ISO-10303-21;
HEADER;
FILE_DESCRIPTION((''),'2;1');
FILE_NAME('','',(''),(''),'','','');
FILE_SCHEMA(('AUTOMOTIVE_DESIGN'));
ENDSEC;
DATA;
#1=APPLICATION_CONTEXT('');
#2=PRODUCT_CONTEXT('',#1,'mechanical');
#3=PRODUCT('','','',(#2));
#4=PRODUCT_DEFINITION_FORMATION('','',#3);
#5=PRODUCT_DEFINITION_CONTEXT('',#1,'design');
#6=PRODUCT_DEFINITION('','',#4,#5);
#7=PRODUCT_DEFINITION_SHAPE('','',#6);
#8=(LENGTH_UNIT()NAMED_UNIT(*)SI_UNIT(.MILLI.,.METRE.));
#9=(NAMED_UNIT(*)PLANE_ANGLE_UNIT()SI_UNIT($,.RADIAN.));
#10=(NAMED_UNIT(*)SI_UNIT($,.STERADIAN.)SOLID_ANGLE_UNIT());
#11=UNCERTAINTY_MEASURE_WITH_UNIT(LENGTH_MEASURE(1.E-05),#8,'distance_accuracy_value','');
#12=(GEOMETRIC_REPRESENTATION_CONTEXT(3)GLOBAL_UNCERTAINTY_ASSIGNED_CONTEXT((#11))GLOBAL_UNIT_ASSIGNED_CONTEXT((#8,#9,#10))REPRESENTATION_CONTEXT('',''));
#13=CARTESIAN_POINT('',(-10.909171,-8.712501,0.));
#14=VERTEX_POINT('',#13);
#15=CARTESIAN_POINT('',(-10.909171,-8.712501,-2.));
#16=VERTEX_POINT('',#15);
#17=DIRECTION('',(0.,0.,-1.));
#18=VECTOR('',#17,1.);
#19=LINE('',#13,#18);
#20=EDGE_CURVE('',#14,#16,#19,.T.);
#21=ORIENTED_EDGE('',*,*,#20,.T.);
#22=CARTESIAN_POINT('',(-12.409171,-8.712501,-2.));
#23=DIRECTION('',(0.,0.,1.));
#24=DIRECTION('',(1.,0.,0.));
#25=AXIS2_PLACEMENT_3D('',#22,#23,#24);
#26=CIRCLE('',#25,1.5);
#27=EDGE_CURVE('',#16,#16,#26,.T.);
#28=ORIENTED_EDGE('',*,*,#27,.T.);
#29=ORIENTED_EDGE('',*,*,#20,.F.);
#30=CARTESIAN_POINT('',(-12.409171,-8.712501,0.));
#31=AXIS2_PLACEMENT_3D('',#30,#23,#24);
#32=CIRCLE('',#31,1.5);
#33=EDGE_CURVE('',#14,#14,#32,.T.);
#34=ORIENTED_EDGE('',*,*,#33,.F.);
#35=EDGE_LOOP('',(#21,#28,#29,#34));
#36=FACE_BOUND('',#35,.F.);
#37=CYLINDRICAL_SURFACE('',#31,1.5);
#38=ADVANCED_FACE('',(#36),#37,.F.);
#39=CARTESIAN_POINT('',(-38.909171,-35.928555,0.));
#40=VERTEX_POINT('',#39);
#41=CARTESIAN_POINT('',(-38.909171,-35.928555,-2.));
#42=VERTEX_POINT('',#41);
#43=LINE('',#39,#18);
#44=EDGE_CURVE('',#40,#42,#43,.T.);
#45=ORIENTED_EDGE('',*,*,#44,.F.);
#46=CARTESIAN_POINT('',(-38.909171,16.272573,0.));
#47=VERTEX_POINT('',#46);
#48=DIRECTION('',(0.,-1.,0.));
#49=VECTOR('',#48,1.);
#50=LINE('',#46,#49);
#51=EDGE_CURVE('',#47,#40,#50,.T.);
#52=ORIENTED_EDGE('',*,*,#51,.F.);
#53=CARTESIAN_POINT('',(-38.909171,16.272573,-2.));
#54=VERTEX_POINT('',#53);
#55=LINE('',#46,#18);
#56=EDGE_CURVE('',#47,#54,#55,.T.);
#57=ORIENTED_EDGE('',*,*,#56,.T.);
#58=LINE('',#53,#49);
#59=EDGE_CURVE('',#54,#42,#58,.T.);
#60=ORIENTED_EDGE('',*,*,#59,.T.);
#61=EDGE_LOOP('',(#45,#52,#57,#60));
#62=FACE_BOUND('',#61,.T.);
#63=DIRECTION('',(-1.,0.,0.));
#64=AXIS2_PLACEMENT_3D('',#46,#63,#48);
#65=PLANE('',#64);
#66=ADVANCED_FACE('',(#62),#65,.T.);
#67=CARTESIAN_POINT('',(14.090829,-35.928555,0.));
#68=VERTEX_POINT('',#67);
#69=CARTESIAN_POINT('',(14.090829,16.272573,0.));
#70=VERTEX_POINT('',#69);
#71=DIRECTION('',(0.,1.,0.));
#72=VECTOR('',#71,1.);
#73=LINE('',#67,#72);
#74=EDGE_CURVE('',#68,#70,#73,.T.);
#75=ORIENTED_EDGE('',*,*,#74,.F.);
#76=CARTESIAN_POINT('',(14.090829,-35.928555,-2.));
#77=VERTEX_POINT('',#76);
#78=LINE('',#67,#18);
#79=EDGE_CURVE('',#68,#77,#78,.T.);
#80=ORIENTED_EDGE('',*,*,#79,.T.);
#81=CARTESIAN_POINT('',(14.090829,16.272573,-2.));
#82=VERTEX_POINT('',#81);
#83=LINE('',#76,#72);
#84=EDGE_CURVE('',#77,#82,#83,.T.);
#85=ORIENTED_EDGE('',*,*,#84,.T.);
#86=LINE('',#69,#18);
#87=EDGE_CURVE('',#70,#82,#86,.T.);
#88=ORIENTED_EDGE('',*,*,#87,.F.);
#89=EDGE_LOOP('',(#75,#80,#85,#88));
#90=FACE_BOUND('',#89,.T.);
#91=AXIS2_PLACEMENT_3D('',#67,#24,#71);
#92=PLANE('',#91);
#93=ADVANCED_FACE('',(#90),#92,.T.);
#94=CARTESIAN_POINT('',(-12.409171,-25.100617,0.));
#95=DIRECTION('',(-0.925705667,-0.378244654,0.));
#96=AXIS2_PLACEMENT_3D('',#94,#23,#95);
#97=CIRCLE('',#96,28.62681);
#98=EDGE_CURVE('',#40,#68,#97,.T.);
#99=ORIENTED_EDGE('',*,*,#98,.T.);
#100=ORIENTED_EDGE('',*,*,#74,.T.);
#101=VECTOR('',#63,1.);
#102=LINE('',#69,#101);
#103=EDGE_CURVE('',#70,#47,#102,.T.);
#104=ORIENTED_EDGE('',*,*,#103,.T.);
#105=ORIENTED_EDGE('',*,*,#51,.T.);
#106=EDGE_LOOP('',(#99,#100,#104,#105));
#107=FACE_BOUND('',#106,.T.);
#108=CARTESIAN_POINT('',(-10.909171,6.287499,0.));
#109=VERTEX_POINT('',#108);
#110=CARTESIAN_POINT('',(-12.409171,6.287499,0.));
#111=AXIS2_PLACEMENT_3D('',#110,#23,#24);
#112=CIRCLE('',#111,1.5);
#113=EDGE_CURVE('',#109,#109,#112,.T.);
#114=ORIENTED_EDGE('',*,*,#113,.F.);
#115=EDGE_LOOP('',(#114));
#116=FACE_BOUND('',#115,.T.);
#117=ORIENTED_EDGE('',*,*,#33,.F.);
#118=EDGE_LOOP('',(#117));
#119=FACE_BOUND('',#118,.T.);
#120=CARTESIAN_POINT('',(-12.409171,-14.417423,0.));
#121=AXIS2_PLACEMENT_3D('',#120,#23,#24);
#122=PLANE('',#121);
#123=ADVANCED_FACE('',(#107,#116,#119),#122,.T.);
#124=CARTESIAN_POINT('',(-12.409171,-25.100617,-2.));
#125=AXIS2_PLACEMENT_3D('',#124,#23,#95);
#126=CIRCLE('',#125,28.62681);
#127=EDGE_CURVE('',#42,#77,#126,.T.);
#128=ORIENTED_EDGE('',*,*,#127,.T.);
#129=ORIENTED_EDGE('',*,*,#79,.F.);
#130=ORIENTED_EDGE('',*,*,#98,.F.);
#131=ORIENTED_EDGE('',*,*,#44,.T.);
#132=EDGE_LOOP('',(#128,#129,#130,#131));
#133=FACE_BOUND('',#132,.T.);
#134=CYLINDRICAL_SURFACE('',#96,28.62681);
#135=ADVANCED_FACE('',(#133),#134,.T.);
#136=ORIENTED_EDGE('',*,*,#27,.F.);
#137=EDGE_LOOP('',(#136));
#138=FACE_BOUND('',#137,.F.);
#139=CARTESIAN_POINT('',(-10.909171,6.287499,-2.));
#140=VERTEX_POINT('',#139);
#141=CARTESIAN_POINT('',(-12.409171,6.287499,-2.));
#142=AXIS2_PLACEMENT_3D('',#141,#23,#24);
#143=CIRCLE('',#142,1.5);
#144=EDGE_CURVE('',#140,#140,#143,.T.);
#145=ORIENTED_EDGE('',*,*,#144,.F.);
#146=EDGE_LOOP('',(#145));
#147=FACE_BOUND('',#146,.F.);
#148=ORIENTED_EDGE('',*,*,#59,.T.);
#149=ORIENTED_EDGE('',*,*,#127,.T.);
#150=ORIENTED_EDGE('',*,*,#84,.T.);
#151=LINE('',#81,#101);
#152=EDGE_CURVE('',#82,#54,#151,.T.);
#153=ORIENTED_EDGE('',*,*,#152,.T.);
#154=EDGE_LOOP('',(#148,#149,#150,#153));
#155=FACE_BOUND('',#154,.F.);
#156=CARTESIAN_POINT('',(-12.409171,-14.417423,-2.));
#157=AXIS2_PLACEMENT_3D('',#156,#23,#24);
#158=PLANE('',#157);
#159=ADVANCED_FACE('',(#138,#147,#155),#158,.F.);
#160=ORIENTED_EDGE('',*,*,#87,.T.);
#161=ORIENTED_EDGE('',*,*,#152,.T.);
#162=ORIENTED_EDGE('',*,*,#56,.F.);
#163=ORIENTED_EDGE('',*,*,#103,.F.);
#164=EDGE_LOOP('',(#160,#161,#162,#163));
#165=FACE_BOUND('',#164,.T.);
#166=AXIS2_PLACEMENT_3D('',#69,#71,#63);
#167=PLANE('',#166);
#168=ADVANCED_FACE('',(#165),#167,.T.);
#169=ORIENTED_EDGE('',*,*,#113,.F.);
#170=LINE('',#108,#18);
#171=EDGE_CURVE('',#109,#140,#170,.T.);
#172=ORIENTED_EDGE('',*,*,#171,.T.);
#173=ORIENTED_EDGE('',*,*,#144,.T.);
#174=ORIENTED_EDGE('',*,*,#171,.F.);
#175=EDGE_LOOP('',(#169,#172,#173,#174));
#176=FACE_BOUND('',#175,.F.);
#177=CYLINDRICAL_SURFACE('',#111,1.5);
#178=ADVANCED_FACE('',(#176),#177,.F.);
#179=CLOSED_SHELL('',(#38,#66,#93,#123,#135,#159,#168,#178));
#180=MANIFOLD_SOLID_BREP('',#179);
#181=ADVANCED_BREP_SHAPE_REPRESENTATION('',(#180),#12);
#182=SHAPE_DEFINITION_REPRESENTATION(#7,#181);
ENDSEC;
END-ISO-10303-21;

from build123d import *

# Parameters (mm, degrees)
F0_R     = 1.5
F1_DEPTH = 2


with BuildPart() as f1:
    # F0 (on Top) → F1 (new body)
    with BuildSketch(Plane.XY):
        with BuildLine():
            Line((14.090829, 16.272573), (-38.909171, 16.272573))
            Line((-38.909171, 16.272573), (-38.909171, -35.928555))
            ThreePointArc((-38.909171, -35.928555), (-12.409171, -53.727427), (14.090829, -35.928555))
            Line((14.090829, -35.928555), (14.090829, 16.272573))
        make_face()
        with Locations((-12.409171, -8.712501)):
            Circle(F0_R, mode=Mode.SUBTRACT)
        with Locations((-12.409171, 6.287499)):
            Circle(F0_R, mode=Mode.SUBTRACT)
    extrude(amount=-F1_DEPTH)


solid = f1.part
